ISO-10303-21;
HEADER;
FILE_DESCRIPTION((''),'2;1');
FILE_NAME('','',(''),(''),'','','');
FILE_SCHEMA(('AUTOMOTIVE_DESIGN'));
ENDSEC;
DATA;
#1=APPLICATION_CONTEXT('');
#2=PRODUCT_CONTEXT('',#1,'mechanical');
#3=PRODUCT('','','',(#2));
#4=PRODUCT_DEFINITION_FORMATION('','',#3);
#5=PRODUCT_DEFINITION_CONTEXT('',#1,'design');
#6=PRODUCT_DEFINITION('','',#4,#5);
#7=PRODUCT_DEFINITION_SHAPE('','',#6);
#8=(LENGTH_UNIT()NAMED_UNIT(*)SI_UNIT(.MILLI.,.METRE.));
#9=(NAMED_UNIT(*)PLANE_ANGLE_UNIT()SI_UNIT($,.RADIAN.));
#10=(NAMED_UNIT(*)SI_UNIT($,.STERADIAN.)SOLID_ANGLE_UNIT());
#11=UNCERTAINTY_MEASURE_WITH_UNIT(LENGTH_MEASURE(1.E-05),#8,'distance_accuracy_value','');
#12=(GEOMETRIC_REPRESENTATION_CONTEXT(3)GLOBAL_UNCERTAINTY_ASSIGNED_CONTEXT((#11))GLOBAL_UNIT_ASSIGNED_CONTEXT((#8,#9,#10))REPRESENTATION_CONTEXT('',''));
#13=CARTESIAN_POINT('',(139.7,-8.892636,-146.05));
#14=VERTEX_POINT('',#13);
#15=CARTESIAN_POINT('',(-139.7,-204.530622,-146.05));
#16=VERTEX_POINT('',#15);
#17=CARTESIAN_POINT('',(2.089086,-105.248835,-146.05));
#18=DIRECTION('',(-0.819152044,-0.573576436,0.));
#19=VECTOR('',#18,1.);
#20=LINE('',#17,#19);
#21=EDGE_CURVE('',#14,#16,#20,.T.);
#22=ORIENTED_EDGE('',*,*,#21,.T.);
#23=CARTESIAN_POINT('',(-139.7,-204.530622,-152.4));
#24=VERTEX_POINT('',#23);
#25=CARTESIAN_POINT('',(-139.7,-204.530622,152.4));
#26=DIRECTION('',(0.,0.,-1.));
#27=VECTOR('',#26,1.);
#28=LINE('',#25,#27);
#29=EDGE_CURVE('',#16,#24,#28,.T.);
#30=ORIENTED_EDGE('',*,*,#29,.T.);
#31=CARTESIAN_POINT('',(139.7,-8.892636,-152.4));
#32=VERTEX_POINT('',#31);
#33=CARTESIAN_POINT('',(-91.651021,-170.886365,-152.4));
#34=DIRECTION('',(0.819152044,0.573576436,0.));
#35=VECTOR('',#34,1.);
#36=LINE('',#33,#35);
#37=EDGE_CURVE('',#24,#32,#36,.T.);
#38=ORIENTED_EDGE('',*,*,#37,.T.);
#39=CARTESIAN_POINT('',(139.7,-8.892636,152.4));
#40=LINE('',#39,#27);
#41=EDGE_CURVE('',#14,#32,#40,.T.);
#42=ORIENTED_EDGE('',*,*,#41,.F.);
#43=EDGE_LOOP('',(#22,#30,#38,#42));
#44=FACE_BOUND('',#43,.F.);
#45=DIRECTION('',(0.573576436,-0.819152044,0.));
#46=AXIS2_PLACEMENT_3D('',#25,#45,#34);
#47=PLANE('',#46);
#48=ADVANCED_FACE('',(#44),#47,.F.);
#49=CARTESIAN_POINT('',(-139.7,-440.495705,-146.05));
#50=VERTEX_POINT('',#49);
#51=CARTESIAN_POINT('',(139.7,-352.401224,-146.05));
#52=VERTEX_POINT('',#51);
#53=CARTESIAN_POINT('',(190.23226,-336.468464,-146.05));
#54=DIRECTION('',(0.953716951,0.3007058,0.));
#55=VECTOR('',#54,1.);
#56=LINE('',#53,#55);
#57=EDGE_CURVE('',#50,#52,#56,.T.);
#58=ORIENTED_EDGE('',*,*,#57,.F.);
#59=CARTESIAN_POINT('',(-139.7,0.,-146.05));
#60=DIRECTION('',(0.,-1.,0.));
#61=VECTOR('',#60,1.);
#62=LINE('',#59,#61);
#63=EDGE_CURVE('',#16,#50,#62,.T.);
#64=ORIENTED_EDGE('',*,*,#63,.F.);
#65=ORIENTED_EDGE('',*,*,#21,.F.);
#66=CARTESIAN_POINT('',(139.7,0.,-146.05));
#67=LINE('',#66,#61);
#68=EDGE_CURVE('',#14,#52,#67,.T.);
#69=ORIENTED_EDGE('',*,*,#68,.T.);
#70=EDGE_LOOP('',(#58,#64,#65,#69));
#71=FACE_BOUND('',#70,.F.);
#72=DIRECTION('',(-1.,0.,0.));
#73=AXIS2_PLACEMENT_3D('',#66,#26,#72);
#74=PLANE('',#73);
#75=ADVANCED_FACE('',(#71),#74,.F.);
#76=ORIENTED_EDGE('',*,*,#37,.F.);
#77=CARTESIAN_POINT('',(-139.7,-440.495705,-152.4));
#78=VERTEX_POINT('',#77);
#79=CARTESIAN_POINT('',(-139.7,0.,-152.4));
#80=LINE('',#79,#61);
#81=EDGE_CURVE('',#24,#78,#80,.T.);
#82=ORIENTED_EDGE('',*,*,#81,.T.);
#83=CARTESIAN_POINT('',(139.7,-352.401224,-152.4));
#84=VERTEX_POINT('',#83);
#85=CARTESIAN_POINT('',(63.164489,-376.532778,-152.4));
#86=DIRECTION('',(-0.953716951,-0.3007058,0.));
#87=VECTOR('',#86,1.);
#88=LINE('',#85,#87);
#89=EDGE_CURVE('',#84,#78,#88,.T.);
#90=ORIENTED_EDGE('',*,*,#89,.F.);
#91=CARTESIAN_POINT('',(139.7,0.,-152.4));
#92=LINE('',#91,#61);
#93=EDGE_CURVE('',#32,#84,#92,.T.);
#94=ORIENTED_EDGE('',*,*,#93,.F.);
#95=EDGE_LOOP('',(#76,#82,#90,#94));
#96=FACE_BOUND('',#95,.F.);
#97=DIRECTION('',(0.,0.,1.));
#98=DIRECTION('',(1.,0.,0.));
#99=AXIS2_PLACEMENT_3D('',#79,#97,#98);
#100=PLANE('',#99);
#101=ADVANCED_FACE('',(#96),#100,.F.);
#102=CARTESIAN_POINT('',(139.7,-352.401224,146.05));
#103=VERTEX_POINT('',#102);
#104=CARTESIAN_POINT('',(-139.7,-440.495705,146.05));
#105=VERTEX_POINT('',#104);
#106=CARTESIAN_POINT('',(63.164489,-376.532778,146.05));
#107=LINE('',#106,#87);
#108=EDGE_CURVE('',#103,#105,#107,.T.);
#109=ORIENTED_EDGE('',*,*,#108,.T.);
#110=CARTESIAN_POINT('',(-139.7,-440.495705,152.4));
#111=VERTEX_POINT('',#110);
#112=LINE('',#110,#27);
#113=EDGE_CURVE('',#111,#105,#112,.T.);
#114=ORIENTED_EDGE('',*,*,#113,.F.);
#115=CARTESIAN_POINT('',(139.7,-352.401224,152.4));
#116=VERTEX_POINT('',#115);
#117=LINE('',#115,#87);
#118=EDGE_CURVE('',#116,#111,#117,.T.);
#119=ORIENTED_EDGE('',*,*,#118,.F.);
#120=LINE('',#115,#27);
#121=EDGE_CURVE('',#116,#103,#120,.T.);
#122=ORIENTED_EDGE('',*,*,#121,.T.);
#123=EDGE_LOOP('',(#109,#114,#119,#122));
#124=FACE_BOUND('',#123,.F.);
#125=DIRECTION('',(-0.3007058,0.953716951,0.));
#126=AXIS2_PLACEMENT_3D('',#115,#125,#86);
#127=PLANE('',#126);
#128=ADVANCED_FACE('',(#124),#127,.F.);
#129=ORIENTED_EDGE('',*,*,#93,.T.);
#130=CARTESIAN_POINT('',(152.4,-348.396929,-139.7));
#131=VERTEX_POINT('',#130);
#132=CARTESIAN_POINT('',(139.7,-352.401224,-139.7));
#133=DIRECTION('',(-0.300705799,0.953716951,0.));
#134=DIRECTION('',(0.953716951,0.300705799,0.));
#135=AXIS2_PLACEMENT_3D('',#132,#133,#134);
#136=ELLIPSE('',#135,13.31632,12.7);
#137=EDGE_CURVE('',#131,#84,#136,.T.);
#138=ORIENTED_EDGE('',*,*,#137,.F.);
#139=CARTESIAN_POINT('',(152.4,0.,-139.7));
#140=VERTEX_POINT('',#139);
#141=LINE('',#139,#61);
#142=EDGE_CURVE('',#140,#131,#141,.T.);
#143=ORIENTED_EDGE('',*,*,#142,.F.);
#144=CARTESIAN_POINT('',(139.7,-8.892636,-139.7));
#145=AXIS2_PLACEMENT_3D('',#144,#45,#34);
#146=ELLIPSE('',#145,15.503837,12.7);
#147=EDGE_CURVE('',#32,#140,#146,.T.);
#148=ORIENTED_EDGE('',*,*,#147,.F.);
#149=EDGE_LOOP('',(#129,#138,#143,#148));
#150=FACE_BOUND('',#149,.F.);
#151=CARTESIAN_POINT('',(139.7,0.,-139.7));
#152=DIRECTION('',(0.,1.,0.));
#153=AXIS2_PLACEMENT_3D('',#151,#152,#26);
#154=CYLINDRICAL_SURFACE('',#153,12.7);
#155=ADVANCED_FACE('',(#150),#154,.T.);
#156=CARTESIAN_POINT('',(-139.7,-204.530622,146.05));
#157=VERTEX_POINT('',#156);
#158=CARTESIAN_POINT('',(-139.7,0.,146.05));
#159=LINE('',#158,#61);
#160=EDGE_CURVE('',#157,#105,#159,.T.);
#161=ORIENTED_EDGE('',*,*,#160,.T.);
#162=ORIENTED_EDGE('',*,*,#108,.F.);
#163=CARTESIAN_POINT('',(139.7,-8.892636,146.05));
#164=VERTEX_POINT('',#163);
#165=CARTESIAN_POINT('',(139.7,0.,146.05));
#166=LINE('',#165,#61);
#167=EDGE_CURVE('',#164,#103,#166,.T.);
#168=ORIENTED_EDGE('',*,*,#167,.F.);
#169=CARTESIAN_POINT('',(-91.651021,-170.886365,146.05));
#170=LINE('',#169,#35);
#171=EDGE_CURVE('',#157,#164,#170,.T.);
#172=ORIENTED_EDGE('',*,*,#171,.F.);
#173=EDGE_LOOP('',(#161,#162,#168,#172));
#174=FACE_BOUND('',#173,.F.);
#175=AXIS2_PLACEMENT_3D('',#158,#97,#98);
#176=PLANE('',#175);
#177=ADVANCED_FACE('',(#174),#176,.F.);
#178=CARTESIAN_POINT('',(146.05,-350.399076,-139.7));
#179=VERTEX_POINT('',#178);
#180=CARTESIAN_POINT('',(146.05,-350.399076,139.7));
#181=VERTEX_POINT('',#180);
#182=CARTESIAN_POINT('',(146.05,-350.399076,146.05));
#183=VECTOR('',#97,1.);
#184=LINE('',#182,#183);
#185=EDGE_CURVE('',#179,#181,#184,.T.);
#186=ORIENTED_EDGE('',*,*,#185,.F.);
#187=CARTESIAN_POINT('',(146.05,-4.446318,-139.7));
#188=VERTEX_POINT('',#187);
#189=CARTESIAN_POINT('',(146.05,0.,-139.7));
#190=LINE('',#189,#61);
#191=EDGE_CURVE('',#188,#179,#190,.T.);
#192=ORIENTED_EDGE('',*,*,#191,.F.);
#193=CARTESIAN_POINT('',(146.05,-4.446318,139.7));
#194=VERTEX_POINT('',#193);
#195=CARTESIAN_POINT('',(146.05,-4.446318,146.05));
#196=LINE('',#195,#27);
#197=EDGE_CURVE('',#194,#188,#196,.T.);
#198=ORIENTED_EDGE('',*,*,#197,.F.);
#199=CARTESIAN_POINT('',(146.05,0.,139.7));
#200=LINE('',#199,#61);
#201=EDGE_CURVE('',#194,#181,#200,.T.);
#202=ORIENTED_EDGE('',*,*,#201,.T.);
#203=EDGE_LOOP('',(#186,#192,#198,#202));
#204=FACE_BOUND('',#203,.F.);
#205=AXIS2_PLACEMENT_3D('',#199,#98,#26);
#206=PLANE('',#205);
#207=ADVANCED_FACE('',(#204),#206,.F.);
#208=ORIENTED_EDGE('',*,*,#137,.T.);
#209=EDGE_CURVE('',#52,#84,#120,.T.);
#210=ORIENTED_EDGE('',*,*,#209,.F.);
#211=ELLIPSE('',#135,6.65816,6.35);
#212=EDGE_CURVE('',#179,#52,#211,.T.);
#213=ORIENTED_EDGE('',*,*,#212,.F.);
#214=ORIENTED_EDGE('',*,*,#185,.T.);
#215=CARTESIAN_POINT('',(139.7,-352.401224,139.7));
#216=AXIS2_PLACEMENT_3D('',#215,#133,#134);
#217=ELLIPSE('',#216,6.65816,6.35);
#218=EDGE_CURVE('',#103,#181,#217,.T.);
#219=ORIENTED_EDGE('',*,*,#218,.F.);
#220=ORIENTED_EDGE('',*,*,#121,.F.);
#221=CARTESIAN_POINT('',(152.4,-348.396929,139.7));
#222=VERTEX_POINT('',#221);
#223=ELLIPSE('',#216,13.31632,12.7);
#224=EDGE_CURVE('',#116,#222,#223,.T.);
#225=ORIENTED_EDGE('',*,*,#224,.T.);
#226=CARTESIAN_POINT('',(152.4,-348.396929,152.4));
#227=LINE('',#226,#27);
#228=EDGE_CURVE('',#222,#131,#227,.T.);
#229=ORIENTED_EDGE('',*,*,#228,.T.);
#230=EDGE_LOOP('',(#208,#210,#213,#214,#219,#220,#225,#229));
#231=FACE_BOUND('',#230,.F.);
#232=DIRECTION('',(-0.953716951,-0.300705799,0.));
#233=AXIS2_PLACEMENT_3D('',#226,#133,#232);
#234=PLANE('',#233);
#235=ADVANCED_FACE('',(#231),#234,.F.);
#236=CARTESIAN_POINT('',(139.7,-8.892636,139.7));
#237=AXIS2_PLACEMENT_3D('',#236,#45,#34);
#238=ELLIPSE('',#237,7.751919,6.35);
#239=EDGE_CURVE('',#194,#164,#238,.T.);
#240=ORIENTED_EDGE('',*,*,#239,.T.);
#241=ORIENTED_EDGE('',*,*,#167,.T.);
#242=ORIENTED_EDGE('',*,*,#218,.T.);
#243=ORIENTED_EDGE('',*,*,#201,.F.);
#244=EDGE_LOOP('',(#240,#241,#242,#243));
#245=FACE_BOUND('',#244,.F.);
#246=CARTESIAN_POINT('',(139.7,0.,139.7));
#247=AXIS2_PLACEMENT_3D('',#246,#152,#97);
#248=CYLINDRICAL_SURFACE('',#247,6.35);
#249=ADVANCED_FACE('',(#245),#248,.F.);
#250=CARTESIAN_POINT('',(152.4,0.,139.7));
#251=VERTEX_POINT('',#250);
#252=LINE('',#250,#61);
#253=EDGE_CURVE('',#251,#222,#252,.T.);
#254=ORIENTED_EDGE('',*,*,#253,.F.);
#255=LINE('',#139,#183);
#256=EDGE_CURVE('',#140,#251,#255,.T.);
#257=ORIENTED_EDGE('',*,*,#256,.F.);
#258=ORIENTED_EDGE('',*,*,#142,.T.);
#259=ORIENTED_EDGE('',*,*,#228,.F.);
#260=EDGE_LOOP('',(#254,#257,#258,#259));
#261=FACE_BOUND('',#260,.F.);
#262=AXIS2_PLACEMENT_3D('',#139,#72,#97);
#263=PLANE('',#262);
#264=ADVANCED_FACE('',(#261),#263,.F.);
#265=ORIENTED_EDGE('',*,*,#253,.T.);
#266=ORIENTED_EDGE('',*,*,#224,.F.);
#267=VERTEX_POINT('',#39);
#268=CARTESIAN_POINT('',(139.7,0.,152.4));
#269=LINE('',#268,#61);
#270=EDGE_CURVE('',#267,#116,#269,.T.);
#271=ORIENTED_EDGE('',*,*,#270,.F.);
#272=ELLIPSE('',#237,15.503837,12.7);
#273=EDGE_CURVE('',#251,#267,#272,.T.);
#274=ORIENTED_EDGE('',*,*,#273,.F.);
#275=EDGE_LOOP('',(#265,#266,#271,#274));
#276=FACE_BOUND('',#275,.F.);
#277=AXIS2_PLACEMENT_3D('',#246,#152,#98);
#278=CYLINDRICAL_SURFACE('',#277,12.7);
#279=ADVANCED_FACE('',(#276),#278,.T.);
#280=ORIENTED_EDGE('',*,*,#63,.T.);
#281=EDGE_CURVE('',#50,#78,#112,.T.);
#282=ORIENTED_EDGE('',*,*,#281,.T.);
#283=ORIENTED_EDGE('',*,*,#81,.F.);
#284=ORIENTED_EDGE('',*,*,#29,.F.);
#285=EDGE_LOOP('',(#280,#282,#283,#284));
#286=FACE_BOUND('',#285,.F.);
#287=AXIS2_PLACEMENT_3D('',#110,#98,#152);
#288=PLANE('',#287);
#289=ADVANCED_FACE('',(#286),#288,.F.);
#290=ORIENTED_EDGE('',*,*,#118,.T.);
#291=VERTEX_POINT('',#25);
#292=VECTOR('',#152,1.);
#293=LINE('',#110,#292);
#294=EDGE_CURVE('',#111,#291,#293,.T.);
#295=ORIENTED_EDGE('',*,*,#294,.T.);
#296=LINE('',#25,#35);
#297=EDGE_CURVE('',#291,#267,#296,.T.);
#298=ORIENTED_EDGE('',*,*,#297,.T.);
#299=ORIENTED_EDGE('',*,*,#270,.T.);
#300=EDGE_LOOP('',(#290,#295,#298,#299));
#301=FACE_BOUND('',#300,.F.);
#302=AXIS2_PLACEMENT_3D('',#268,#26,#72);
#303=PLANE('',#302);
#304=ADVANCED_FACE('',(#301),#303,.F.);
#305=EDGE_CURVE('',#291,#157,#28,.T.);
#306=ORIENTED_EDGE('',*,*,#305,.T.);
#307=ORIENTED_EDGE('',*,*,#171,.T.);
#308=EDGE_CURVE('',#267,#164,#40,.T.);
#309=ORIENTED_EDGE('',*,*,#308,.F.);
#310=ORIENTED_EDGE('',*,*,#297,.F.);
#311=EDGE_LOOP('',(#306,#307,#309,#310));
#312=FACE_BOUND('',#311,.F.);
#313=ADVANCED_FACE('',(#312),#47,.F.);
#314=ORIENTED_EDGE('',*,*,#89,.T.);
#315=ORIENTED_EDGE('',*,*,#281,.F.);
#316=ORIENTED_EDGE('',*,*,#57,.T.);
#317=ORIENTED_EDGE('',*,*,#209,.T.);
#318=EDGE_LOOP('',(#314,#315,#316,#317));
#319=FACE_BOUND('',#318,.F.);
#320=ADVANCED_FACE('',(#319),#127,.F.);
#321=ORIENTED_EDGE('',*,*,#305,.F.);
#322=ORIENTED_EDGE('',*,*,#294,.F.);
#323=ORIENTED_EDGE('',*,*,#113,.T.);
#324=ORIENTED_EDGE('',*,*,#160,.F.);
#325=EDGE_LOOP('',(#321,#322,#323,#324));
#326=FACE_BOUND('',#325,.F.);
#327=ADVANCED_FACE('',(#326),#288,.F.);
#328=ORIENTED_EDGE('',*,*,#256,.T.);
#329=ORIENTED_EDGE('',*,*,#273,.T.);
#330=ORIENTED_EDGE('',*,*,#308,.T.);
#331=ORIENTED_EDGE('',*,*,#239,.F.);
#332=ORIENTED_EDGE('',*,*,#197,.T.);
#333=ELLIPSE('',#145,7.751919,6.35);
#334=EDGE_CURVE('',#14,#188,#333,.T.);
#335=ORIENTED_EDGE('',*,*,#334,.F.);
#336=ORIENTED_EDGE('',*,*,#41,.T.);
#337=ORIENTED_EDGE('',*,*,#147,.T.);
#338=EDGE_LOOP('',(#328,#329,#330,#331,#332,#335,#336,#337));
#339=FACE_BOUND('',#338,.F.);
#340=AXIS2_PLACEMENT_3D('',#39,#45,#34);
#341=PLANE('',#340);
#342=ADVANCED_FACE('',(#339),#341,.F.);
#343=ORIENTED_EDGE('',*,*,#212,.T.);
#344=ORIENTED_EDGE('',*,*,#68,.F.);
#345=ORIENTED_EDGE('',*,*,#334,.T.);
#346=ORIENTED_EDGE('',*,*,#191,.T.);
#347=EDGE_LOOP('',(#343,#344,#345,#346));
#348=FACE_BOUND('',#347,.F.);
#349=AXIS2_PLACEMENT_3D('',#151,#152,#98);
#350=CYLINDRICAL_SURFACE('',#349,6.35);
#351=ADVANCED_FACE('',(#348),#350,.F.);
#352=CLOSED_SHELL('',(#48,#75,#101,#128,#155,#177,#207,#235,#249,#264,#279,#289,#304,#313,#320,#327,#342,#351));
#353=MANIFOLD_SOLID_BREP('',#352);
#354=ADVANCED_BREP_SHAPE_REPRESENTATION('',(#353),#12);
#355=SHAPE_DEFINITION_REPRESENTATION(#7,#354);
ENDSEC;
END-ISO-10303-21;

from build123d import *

# Parameters (mm, degrees)
F1_DEPTH = 444.5
F3_DEPTH = 304.801


with BuildPart() as f1:
    # F0 (on Front) → F1 (new body)
    with BuildSketch(Plane.XZ):
        with BuildLine():
            Line((-139.7, -152.4), (139.7, -152.4))
            ThreePointArc((139.7, -152.4), (148.6802561211, -148.6802561211), (152.4, -139.7))
            Line((152.4, -139.7), (152.4, 139.7))
            ThreePointArc((152.4, 139.7), (148.6802561211, 148.6802561211), (139.7, 152.4))
            Line((139.7, 152.4), (-139.7, 152.4))
            ThreePointArc((-139.7, 152.4), (-148.6802561211, 148.6802561211), (-152.4, 139.7))
            Line((-152.4, 139.7), (-152.4, -139.7))
            ThreePointArc((-152.4, -139.7), (-148.6802561211, -148.6802561211), (-139.7, -152.4))
        make_face()
        with BuildLine():
            Line((-139.7, 146.05), (139.7, 146.05))
            ThreePointArc((139.7, 146.05), (144.1901280605, 144.1901280605), (146.05, 139.7))
            Line((146.05, 139.7), (146.05, -139.7))
            ThreePointArc((146.05, -139.7), (144.1901280605, -144.1901280605), (139.7, -146.05))
            Line((139.7, -146.05), (-139.7, -146.05))
            ThreePointArc((-139.7, -146.05), (-144.1901280605, -144.1901280605), (-146.05, -139.7))
            Line((-146.05, -139.7), (-146.05, 139.7))
            ThreePointArc((-146.05, 139.7), (-144.1901280605, 144.1901280605), (-139.7, 146.05))
        make_face(mode=Mode.SUBTRACT)
    extrude(amount=F1_DEPTH)

    # F2 (on face) → F3 (cut, through all)
    with BuildSketch(Plane.XY.offset(152.4)):
        Polygon((-139.7, -444.5), (139.7, -444.5), (139.7, -352.4012237684), (-139.7, -440.4957053812), align=None)
        Polygon((139.7, -444.5), (152.4, -444.5), (152.4, -348.3969291497), (139.7, -352.4012237684), align=None)
        Polygon((-152.4, -444.5), (-139.7, -444.5), (-139.7, -440.4957053812), align=None)
        Polygon((139.7, -8.8926357353), (139.7, 0), (-139.7, 0), (-139.7, -204.5306219111), align=None)
        Polygon((-139.7, -204.5306219111), (-139.7, 0), (-152.4, 0), (-152.4, -213.4232576463), align=None)
        Polygon((139.7, -8.8926357353), (152.4, 0), (139.7, 0), align=None)
        Polygon((-152.4, -444.5), (-139.7, -440.4957053812), (-139.7, -204.5306219111), (-152.4, -213.4232576463), align=None)
    extrude(amount=-F3_DEPTH, mode=Mode.SUBTRACT)


solid = f1.part
